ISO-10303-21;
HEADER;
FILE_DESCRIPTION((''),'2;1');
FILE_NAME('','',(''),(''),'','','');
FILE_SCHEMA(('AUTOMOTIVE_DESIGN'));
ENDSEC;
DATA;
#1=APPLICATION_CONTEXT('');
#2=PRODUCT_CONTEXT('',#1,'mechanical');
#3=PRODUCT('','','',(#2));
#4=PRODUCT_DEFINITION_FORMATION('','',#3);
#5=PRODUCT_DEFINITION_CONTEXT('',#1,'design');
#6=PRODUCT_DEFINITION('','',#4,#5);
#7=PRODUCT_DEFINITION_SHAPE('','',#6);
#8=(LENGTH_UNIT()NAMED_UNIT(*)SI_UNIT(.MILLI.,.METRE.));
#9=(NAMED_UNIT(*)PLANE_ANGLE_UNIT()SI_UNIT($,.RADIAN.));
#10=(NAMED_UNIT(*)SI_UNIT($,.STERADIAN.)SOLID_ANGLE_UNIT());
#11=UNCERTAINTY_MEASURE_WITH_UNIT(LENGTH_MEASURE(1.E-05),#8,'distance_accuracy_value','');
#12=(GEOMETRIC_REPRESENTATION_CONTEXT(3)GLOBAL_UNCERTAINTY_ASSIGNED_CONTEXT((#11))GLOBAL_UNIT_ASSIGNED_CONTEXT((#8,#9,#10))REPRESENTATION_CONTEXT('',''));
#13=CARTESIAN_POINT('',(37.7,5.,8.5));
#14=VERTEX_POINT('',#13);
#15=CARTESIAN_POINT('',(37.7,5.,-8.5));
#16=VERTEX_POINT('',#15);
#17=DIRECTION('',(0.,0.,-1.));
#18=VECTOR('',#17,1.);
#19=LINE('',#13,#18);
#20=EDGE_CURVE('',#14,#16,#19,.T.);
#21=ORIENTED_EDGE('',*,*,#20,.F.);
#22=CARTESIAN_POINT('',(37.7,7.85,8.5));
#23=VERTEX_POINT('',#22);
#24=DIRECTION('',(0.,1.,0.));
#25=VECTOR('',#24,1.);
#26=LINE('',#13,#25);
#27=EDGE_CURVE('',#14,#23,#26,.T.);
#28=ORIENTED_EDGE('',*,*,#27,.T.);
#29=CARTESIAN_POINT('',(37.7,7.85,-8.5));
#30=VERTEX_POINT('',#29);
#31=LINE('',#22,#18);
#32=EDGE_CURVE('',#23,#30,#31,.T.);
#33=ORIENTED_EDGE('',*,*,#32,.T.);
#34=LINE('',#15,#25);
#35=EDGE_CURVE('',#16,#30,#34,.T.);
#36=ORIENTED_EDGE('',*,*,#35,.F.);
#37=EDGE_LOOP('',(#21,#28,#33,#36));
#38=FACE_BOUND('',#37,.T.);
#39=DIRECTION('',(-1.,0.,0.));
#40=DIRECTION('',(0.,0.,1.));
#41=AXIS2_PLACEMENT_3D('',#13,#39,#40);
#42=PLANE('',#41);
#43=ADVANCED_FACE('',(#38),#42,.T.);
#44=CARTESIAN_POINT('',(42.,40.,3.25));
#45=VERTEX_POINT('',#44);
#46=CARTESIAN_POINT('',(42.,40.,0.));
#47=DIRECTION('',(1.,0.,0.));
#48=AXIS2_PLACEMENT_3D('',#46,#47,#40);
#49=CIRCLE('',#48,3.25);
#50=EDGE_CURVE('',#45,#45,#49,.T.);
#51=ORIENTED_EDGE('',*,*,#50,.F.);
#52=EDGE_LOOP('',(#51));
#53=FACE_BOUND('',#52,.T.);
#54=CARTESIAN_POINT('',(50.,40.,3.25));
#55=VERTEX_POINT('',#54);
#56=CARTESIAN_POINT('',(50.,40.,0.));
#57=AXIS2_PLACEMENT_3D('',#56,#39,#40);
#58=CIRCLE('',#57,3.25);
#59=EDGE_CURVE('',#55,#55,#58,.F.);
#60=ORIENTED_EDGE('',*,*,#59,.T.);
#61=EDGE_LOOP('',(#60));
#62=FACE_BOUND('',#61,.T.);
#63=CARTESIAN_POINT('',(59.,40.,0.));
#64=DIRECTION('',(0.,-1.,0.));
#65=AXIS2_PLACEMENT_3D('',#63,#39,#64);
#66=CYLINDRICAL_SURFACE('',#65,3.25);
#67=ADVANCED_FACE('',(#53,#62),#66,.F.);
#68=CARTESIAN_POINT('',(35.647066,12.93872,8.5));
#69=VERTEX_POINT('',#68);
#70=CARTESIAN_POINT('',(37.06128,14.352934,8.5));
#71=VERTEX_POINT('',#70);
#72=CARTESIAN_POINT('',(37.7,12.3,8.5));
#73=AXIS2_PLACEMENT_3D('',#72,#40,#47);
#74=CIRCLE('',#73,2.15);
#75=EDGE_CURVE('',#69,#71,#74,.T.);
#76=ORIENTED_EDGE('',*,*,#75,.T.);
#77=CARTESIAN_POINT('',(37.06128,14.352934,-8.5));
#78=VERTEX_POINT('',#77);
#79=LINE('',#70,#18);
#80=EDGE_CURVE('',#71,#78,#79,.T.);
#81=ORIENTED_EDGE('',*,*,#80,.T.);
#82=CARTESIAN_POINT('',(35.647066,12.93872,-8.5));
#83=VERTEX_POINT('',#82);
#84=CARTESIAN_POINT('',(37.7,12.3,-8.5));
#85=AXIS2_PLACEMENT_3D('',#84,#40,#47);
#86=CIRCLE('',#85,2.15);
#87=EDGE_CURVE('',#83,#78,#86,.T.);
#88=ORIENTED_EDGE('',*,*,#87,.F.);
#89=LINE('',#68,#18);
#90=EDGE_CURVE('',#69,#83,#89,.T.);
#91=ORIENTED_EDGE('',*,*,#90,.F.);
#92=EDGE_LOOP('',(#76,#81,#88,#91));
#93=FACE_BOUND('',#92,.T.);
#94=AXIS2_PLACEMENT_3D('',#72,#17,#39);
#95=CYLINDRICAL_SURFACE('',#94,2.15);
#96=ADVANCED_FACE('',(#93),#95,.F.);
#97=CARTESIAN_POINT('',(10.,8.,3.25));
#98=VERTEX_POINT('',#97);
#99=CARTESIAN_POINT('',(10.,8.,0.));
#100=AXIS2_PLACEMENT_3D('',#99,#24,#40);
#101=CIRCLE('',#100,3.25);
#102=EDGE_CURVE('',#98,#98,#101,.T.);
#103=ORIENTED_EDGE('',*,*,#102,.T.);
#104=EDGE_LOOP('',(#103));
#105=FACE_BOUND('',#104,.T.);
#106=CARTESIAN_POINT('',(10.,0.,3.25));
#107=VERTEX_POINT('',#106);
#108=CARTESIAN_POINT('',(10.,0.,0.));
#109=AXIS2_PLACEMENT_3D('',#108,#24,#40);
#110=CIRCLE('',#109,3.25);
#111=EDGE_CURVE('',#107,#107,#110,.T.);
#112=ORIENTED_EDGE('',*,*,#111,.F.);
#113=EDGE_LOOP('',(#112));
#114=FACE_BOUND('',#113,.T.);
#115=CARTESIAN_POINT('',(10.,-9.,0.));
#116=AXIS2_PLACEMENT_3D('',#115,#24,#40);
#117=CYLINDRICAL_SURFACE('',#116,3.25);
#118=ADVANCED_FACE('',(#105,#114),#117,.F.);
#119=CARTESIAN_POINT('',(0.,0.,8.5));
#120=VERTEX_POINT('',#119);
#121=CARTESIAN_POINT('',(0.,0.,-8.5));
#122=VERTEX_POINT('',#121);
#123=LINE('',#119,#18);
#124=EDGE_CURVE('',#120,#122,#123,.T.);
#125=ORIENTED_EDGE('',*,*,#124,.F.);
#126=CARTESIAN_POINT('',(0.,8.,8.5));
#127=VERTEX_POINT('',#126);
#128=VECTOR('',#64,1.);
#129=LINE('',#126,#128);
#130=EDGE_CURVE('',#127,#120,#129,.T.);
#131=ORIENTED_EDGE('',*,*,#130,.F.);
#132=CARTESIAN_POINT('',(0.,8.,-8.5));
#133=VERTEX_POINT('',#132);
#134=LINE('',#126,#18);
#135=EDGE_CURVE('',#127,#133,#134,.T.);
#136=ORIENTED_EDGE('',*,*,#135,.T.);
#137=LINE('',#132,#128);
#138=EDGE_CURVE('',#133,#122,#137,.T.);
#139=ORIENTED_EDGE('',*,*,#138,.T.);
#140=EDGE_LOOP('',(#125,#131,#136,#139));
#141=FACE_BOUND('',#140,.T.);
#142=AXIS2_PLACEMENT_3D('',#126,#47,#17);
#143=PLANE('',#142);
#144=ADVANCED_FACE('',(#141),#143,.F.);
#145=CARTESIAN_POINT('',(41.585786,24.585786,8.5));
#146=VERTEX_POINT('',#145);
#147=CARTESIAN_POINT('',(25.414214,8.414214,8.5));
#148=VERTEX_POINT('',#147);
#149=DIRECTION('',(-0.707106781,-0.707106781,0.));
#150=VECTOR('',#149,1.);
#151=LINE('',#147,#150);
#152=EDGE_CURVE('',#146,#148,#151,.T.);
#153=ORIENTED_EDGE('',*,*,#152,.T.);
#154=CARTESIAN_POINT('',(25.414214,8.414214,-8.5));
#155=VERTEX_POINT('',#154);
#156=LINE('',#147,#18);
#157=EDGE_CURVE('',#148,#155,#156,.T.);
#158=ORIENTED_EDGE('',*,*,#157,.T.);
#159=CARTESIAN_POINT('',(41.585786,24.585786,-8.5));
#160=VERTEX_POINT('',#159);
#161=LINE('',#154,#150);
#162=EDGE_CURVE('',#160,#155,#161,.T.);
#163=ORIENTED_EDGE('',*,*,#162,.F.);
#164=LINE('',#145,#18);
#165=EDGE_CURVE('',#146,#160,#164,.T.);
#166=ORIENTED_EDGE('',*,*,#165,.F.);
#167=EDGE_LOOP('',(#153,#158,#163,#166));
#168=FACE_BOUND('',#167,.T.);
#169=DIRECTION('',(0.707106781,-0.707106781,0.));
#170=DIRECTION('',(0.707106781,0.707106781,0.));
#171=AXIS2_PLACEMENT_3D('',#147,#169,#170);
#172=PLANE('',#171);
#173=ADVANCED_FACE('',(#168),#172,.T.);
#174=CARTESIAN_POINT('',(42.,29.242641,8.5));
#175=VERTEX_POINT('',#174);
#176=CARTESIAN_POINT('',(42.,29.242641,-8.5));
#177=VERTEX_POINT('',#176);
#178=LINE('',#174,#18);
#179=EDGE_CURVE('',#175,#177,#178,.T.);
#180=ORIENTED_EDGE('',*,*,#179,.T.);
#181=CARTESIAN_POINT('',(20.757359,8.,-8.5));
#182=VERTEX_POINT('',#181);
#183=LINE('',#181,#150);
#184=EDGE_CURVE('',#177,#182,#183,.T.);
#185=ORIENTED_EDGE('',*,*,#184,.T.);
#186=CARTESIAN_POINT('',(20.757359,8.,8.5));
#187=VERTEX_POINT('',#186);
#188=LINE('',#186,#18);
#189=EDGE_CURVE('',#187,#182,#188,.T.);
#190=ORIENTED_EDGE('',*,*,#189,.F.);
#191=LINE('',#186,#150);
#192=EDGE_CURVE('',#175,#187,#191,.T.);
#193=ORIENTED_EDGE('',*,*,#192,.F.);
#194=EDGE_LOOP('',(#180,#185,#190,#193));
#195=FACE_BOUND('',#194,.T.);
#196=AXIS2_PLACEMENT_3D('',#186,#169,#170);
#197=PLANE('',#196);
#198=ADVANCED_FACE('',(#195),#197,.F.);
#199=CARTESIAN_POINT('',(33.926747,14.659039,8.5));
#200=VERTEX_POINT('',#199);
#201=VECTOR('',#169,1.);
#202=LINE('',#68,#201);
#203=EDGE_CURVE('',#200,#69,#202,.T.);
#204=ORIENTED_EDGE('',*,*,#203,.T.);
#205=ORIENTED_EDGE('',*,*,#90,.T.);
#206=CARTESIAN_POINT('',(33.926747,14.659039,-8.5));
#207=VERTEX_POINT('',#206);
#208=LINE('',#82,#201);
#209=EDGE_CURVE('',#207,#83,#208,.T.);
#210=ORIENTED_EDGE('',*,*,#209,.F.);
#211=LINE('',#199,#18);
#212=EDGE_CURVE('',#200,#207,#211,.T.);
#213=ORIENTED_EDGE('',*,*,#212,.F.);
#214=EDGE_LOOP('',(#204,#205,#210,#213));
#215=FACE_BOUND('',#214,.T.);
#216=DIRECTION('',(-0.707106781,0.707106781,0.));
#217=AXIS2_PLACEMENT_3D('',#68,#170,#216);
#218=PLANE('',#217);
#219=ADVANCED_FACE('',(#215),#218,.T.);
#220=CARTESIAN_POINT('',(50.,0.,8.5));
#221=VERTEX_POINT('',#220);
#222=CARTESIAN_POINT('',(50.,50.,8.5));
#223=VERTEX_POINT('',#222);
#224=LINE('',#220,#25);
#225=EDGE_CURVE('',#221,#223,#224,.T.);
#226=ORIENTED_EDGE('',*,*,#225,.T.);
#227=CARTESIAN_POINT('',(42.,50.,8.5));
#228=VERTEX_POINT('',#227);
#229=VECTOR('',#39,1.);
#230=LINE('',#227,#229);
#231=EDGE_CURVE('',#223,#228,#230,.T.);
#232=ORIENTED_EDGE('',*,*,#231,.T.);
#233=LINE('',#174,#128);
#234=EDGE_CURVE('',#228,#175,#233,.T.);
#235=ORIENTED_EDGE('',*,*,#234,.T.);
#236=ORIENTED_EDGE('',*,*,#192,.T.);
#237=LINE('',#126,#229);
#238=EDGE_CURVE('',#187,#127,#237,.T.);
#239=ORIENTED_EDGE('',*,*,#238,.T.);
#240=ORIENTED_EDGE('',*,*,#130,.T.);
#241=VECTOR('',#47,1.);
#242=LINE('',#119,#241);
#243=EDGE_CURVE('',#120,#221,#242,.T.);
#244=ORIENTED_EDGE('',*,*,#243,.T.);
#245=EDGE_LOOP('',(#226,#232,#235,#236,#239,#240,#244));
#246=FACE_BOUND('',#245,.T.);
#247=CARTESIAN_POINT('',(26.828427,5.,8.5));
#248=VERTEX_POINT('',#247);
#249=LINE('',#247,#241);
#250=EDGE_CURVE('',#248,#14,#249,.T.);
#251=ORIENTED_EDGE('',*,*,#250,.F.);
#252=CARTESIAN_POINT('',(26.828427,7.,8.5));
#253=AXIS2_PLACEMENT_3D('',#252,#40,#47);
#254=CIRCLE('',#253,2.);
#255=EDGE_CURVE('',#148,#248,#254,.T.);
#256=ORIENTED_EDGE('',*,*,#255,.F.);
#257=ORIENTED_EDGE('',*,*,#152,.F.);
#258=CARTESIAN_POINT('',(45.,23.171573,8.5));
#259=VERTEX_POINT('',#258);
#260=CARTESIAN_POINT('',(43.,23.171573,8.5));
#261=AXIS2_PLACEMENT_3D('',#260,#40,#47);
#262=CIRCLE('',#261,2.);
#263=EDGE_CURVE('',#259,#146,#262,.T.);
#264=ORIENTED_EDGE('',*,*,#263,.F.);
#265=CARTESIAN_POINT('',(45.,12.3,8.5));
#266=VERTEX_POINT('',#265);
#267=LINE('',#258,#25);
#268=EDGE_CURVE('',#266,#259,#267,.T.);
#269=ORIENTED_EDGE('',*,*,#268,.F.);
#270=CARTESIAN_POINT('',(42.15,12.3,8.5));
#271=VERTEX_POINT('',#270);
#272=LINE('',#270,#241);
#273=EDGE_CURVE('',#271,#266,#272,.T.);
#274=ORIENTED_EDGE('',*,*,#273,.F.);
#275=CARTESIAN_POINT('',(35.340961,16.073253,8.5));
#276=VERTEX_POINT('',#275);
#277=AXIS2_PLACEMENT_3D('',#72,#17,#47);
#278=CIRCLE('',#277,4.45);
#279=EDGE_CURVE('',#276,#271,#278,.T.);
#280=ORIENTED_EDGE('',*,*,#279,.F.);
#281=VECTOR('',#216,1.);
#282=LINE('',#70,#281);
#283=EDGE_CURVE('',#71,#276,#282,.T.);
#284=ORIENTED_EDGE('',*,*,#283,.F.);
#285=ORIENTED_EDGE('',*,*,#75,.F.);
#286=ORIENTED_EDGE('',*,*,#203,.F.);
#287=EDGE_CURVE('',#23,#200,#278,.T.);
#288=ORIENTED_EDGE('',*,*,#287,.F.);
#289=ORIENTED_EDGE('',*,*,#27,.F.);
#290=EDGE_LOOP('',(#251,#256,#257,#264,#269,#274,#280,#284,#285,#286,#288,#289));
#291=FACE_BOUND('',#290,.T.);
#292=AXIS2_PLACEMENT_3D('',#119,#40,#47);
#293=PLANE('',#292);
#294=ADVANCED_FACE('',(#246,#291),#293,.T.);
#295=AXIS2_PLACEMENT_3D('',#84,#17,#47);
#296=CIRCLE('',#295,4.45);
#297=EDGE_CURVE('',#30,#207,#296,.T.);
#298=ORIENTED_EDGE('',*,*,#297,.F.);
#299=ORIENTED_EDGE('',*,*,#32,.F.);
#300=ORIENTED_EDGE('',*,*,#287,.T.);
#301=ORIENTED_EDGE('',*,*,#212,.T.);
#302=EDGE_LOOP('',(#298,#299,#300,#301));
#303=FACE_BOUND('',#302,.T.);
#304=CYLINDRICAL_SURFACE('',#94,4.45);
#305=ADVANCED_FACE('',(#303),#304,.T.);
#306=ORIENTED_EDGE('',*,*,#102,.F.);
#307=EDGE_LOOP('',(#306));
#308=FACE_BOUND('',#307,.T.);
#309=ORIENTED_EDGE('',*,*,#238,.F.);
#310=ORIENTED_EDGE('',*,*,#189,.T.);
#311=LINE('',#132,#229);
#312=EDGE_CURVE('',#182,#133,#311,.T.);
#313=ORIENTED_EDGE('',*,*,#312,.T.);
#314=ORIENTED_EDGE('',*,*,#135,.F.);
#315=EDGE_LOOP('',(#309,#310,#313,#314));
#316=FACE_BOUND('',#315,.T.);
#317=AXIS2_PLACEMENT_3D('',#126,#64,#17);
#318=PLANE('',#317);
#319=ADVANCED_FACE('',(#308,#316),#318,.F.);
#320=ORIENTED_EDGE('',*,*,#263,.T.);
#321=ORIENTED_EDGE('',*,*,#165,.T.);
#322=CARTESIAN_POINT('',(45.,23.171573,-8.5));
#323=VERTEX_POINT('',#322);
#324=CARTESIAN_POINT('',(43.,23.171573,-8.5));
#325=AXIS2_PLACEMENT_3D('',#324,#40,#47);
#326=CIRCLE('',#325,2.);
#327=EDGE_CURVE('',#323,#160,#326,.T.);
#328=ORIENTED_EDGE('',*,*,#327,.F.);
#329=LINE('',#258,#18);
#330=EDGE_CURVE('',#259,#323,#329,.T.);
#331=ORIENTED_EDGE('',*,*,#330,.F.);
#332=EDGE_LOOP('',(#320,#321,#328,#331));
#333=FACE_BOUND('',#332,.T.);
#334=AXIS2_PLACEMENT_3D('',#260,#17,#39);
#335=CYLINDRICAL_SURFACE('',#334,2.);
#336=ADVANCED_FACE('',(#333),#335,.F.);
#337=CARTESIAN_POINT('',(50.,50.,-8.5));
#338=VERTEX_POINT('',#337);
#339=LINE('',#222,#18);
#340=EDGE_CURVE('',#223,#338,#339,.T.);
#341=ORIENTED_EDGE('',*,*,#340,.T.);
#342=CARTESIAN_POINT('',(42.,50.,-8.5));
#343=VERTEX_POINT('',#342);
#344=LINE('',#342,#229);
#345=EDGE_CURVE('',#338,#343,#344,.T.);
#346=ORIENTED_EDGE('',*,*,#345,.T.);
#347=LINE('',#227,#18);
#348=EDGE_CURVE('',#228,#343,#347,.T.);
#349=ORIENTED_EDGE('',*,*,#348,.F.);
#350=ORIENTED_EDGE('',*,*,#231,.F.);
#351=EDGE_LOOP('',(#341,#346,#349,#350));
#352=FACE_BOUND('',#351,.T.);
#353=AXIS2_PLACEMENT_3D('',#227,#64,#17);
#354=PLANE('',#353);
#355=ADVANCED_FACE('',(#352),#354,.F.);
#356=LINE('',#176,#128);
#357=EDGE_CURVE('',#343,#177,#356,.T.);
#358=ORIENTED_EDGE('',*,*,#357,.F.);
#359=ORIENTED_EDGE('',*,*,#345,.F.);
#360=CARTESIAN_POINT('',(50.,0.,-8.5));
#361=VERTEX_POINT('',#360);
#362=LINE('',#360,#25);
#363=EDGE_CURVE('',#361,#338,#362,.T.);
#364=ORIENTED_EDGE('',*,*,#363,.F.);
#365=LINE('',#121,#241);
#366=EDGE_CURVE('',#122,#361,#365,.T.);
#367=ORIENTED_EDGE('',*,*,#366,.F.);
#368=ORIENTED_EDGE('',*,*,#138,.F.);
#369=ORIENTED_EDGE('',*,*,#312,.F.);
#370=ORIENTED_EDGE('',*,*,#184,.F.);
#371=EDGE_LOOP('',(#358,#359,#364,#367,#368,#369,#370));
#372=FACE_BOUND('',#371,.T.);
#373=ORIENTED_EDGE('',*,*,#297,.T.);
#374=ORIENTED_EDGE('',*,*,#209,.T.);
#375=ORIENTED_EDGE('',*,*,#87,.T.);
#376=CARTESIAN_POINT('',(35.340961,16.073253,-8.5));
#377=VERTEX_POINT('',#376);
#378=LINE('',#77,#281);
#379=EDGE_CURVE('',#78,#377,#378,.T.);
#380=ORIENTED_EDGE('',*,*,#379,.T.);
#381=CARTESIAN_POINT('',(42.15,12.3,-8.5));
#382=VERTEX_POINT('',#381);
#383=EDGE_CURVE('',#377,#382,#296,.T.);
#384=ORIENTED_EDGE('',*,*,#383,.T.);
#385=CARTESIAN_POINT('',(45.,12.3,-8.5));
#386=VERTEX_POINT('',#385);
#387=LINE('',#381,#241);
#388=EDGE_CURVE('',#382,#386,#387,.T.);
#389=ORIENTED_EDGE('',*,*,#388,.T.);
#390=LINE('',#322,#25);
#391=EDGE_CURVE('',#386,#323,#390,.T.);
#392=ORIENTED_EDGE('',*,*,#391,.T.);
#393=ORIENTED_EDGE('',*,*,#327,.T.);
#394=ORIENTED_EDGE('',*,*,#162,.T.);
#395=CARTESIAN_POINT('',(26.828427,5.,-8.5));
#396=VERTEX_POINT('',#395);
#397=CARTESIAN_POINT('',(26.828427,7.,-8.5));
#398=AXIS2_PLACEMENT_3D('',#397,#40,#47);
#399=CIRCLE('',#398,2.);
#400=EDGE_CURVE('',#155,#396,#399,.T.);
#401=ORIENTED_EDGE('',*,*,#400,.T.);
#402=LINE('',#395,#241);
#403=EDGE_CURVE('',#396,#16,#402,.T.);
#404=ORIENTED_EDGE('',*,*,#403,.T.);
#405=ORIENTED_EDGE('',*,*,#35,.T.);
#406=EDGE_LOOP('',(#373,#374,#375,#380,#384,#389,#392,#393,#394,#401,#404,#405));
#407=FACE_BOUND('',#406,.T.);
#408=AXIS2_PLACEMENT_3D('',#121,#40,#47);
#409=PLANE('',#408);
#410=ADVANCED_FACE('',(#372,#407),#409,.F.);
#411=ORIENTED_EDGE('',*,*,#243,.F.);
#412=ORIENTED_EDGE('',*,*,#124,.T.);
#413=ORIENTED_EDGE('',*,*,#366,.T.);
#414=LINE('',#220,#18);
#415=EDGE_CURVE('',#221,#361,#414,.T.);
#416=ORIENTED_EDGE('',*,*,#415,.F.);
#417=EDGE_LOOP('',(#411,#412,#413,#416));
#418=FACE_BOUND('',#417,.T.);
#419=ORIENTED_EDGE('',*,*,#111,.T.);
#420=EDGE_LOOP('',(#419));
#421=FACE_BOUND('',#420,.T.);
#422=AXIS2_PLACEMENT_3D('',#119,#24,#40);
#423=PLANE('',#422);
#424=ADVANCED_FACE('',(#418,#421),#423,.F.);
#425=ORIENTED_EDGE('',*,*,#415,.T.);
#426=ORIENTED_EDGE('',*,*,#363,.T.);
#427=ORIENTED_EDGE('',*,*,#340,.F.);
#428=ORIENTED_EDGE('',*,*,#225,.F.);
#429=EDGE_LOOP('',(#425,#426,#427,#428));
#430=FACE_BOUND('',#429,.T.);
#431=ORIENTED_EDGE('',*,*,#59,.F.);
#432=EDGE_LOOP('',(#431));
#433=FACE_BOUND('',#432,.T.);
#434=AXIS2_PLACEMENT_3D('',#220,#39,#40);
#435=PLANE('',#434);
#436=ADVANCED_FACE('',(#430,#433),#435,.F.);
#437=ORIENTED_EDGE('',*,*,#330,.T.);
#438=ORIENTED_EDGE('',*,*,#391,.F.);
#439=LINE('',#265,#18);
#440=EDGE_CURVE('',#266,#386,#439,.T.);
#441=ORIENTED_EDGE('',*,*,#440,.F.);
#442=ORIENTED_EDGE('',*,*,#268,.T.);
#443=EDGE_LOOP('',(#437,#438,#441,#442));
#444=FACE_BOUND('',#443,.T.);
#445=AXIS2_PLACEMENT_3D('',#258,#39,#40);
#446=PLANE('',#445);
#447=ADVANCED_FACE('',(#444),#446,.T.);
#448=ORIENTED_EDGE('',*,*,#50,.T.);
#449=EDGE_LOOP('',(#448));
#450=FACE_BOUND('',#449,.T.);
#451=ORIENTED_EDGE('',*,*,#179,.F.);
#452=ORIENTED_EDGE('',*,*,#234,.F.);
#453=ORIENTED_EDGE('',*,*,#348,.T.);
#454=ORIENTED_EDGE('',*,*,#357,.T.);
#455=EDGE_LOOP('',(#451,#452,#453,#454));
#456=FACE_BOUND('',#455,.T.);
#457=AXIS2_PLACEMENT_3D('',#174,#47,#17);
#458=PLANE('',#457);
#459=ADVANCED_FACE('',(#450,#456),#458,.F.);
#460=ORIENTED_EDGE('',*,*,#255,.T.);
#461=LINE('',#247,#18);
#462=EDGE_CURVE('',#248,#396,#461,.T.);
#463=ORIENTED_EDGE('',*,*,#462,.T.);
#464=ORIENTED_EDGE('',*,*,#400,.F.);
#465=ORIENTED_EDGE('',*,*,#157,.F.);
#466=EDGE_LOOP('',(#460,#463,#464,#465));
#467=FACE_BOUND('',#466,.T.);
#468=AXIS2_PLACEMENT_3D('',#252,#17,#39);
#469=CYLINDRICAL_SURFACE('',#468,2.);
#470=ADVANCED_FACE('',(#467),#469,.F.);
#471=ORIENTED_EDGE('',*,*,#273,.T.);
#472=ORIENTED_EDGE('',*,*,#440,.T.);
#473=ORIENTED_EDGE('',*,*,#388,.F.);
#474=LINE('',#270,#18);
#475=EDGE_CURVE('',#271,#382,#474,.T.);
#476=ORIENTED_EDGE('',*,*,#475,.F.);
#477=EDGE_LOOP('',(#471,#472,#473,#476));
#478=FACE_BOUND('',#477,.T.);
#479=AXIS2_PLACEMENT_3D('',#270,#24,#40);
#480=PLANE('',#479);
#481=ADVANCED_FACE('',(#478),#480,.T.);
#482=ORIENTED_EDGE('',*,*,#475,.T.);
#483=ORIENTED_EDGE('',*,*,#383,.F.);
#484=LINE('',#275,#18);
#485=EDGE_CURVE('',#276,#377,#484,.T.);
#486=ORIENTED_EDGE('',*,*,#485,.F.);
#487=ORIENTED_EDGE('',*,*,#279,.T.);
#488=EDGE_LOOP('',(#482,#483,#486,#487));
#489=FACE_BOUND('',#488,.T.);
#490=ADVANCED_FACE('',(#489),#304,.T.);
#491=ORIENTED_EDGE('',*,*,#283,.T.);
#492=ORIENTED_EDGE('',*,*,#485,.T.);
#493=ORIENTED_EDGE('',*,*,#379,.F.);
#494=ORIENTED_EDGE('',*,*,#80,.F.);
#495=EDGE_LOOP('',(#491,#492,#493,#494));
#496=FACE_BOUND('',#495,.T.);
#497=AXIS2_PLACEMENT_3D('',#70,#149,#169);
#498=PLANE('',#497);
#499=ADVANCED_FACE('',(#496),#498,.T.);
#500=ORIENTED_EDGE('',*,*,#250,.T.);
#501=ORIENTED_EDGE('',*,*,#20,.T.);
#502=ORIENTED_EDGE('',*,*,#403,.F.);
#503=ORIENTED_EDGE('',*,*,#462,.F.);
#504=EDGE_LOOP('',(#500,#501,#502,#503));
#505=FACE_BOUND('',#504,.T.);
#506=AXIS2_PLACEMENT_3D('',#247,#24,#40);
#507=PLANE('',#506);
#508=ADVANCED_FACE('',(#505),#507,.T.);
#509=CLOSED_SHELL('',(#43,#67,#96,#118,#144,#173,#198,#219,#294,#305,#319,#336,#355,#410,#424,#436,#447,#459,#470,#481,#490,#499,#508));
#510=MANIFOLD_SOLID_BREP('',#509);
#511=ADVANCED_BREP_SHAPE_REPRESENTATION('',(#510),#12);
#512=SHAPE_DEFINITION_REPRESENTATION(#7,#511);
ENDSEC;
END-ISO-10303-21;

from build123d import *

# Parameters (mm, degrees)
EXTRUDE_1_DEPTH     = 8.5
SKETCH_3_R          = 3.25
CUT_EXTRUDE_1_DEPTH = 17


with BuildPart() as part:
    # 草图1 → 凸台-拉伸1 (new, symmetric)
    with BuildSketch(Plane.XY):
        Polygon((0, 0), (50, 0), (50, 50), (42, 50), (42, 29.242640687), (20.757359313, 8), (0, 8), align=None)
        with BuildLine():
            Line((37.061279898, 14.352933665), (35.340960992, 16.07325257))
            ThreePointArc((35.340960992, 16.07325257), (39.856939547, 16.192314452), (42.15, 12.3))
            Line((42.15, 12.3), (45, 12.3))
            Line((45, 12.3), (45, 23.171572875))
            ThreePointArc((45, 23.171572875), (43.765366865, 25.01933194), (41.585786438, 24.585786438))
            Line((41.585786438, 24.585786438), (25.414213562, 8.414213562))
            ThreePointArc((25.414213562, 8.414213562), (24.98066806, 6.234633135), (26.828427125, 5))
            Line((26.828427125, 5), (37.7, 5))
            Line((37.7, 5), (37.7, 7.85))
            ThreePointArc((37.7, 7.85), (33.807685548, 10.143060453), (33.92674743, 14.659039008))
            Line((33.92674743, 14.659039008), (35.647066335, 12.938720102))
            ThreePointArc((35.647066335, 12.938720102), (39.22027958, 10.77972042), (37.061279898, 14.352933665))
        make_face(mode=Mode.SUBTRACT)
    extrude(amount=EXTRUDE_1_DEPTH, both=True)

    # 草图3 → 切除-拉伸1 (cut)
    with BuildSketch(Plane(origin=(0, 8, 0), x_dir=(1, 0, 0), z_dir=(0, 1, 0))):
        with Locations(Location((10, 0, 0), (0, 0, 270))):
            Circle(SKETCH_3_R)
    cut_extrude_1 = extrude(amount=-CUT_EXTRUDE_1_DEPTH, mode=Mode.SUBTRACT)

    # 镜向1: 切除-拉伸1 across plane
    add(cut_extrude_1.mirror(Plane(origin=(25, 25, 0), x_dir=(0, 0, 1), z_dir=(-0.7071067811865486, -0.7071067811865465, 0))), mode=Mode.SUBTRACT)


solid = part.part
